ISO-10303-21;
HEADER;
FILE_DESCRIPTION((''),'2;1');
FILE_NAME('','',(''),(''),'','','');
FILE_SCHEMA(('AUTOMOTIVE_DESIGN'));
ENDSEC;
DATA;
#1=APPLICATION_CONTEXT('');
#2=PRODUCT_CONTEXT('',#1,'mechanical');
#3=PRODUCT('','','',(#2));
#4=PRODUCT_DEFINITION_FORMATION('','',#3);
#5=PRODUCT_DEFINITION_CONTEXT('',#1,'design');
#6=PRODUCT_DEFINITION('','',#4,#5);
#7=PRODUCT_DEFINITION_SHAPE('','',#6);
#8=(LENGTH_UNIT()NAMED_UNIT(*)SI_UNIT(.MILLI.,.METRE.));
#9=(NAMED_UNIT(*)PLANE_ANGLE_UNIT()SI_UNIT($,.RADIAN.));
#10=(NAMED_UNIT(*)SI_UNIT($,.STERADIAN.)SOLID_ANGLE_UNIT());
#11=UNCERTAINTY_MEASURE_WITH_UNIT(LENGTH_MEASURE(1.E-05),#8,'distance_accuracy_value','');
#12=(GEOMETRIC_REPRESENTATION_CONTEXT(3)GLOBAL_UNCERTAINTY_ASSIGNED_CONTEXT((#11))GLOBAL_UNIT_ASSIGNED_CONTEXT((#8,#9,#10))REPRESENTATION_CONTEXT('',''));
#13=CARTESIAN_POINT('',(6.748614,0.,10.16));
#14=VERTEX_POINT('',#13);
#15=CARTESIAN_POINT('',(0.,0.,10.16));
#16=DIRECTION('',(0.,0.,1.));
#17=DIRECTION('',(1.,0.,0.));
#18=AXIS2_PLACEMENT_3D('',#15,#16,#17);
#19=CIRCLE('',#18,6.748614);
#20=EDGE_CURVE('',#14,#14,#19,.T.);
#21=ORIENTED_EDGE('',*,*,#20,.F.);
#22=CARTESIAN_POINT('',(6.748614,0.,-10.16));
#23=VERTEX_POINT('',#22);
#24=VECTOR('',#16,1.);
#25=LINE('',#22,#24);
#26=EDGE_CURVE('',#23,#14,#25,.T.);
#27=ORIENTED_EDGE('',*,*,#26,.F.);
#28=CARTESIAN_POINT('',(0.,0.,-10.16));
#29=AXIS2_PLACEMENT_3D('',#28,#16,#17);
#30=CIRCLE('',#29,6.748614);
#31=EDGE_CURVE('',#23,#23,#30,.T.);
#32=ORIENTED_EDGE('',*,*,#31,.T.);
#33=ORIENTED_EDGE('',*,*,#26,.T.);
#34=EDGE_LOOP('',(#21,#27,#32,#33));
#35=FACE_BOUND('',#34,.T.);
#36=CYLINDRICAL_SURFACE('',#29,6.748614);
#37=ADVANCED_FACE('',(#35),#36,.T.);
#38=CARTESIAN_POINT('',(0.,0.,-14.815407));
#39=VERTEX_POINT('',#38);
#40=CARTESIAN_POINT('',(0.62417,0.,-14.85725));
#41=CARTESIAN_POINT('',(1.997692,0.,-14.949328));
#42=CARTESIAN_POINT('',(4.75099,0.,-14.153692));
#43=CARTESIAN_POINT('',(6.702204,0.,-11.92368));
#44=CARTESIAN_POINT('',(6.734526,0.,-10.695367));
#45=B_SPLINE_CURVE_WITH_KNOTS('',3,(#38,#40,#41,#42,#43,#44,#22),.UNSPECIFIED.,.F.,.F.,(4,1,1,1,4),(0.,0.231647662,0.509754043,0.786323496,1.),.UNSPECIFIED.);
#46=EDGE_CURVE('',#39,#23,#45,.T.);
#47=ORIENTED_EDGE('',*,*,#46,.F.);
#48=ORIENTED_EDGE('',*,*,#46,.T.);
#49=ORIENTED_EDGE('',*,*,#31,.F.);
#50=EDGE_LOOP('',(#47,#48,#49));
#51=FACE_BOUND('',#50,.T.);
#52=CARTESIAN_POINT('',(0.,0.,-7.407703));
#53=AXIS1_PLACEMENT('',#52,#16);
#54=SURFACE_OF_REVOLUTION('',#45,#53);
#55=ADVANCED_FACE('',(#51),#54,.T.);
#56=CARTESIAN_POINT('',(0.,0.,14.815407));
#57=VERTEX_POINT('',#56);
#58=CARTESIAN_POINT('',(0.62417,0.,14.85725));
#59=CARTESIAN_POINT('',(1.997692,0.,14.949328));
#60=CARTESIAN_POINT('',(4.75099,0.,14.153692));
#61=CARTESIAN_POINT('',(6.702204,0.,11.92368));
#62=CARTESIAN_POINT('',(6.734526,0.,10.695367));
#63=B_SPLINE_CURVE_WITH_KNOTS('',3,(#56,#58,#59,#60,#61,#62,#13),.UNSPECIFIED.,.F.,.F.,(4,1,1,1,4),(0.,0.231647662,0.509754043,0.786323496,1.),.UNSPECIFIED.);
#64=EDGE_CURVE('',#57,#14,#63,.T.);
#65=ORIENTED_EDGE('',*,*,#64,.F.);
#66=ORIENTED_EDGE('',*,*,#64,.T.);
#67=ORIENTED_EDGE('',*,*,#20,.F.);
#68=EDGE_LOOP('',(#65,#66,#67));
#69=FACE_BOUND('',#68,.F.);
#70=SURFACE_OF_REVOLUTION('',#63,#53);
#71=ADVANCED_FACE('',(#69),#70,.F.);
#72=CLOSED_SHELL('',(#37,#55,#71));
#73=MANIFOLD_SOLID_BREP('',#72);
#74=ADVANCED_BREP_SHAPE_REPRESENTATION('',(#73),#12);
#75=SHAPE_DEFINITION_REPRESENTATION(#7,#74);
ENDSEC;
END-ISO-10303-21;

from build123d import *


with BuildPart() as f1:
    # F0 (on Front) → F1 (revolve)
    with BuildSketch(Plane.XZ):
        with BuildLine():
            Line((6.7486139797, 0), (6.7486139797, 10.16))
            add(Edge.make_bspline(
                [(0, 14.8154068738), (0.624169954, 14.8572499029), (1.9976919446, 14.9493279021), (4.750990325, 14.1536923042), (6.7022036979, 11.9236800616), (6.7345260832, 10.6953671901), (6.7486139797, 10.16)],
                knots=[0, 0, 0, 0, 0.2316476617, 0.5097540427, 0.7863234957, 1, 1, 1, 1], degree=3))
            Line((0, 14.8154068738), (0, 0))
            Line((0, 0), (6.7486139797, 0))
        make_face()
        with BuildLine():
            Line((6.7486139797, -10.16), (6.7486139797, 0))
            Line((6.7486139797, 0), (0, 0))
            Line((0, 0), (0, -14.8154068738))
            add(Edge.make_bspline(
                [(0, -14.8154068738), (0.624169954, -14.8572499029), (1.9976919446, -14.9493279021), (4.750990325, -14.1536923042), (6.7022036979, -11.9236800616), (6.7345260832, -10.6953671901), (6.7486139797, -10.16)],
                knots=[0, 0, 0, 0, 0.2316476617, 0.5097540427, 0.7863234957, 1, 1, 1, 1], degree=3))
        make_face()
    revolve(axis=Axis((0, 0, -7.4077034369), (0, 0, 1)))


solid = f1.part
